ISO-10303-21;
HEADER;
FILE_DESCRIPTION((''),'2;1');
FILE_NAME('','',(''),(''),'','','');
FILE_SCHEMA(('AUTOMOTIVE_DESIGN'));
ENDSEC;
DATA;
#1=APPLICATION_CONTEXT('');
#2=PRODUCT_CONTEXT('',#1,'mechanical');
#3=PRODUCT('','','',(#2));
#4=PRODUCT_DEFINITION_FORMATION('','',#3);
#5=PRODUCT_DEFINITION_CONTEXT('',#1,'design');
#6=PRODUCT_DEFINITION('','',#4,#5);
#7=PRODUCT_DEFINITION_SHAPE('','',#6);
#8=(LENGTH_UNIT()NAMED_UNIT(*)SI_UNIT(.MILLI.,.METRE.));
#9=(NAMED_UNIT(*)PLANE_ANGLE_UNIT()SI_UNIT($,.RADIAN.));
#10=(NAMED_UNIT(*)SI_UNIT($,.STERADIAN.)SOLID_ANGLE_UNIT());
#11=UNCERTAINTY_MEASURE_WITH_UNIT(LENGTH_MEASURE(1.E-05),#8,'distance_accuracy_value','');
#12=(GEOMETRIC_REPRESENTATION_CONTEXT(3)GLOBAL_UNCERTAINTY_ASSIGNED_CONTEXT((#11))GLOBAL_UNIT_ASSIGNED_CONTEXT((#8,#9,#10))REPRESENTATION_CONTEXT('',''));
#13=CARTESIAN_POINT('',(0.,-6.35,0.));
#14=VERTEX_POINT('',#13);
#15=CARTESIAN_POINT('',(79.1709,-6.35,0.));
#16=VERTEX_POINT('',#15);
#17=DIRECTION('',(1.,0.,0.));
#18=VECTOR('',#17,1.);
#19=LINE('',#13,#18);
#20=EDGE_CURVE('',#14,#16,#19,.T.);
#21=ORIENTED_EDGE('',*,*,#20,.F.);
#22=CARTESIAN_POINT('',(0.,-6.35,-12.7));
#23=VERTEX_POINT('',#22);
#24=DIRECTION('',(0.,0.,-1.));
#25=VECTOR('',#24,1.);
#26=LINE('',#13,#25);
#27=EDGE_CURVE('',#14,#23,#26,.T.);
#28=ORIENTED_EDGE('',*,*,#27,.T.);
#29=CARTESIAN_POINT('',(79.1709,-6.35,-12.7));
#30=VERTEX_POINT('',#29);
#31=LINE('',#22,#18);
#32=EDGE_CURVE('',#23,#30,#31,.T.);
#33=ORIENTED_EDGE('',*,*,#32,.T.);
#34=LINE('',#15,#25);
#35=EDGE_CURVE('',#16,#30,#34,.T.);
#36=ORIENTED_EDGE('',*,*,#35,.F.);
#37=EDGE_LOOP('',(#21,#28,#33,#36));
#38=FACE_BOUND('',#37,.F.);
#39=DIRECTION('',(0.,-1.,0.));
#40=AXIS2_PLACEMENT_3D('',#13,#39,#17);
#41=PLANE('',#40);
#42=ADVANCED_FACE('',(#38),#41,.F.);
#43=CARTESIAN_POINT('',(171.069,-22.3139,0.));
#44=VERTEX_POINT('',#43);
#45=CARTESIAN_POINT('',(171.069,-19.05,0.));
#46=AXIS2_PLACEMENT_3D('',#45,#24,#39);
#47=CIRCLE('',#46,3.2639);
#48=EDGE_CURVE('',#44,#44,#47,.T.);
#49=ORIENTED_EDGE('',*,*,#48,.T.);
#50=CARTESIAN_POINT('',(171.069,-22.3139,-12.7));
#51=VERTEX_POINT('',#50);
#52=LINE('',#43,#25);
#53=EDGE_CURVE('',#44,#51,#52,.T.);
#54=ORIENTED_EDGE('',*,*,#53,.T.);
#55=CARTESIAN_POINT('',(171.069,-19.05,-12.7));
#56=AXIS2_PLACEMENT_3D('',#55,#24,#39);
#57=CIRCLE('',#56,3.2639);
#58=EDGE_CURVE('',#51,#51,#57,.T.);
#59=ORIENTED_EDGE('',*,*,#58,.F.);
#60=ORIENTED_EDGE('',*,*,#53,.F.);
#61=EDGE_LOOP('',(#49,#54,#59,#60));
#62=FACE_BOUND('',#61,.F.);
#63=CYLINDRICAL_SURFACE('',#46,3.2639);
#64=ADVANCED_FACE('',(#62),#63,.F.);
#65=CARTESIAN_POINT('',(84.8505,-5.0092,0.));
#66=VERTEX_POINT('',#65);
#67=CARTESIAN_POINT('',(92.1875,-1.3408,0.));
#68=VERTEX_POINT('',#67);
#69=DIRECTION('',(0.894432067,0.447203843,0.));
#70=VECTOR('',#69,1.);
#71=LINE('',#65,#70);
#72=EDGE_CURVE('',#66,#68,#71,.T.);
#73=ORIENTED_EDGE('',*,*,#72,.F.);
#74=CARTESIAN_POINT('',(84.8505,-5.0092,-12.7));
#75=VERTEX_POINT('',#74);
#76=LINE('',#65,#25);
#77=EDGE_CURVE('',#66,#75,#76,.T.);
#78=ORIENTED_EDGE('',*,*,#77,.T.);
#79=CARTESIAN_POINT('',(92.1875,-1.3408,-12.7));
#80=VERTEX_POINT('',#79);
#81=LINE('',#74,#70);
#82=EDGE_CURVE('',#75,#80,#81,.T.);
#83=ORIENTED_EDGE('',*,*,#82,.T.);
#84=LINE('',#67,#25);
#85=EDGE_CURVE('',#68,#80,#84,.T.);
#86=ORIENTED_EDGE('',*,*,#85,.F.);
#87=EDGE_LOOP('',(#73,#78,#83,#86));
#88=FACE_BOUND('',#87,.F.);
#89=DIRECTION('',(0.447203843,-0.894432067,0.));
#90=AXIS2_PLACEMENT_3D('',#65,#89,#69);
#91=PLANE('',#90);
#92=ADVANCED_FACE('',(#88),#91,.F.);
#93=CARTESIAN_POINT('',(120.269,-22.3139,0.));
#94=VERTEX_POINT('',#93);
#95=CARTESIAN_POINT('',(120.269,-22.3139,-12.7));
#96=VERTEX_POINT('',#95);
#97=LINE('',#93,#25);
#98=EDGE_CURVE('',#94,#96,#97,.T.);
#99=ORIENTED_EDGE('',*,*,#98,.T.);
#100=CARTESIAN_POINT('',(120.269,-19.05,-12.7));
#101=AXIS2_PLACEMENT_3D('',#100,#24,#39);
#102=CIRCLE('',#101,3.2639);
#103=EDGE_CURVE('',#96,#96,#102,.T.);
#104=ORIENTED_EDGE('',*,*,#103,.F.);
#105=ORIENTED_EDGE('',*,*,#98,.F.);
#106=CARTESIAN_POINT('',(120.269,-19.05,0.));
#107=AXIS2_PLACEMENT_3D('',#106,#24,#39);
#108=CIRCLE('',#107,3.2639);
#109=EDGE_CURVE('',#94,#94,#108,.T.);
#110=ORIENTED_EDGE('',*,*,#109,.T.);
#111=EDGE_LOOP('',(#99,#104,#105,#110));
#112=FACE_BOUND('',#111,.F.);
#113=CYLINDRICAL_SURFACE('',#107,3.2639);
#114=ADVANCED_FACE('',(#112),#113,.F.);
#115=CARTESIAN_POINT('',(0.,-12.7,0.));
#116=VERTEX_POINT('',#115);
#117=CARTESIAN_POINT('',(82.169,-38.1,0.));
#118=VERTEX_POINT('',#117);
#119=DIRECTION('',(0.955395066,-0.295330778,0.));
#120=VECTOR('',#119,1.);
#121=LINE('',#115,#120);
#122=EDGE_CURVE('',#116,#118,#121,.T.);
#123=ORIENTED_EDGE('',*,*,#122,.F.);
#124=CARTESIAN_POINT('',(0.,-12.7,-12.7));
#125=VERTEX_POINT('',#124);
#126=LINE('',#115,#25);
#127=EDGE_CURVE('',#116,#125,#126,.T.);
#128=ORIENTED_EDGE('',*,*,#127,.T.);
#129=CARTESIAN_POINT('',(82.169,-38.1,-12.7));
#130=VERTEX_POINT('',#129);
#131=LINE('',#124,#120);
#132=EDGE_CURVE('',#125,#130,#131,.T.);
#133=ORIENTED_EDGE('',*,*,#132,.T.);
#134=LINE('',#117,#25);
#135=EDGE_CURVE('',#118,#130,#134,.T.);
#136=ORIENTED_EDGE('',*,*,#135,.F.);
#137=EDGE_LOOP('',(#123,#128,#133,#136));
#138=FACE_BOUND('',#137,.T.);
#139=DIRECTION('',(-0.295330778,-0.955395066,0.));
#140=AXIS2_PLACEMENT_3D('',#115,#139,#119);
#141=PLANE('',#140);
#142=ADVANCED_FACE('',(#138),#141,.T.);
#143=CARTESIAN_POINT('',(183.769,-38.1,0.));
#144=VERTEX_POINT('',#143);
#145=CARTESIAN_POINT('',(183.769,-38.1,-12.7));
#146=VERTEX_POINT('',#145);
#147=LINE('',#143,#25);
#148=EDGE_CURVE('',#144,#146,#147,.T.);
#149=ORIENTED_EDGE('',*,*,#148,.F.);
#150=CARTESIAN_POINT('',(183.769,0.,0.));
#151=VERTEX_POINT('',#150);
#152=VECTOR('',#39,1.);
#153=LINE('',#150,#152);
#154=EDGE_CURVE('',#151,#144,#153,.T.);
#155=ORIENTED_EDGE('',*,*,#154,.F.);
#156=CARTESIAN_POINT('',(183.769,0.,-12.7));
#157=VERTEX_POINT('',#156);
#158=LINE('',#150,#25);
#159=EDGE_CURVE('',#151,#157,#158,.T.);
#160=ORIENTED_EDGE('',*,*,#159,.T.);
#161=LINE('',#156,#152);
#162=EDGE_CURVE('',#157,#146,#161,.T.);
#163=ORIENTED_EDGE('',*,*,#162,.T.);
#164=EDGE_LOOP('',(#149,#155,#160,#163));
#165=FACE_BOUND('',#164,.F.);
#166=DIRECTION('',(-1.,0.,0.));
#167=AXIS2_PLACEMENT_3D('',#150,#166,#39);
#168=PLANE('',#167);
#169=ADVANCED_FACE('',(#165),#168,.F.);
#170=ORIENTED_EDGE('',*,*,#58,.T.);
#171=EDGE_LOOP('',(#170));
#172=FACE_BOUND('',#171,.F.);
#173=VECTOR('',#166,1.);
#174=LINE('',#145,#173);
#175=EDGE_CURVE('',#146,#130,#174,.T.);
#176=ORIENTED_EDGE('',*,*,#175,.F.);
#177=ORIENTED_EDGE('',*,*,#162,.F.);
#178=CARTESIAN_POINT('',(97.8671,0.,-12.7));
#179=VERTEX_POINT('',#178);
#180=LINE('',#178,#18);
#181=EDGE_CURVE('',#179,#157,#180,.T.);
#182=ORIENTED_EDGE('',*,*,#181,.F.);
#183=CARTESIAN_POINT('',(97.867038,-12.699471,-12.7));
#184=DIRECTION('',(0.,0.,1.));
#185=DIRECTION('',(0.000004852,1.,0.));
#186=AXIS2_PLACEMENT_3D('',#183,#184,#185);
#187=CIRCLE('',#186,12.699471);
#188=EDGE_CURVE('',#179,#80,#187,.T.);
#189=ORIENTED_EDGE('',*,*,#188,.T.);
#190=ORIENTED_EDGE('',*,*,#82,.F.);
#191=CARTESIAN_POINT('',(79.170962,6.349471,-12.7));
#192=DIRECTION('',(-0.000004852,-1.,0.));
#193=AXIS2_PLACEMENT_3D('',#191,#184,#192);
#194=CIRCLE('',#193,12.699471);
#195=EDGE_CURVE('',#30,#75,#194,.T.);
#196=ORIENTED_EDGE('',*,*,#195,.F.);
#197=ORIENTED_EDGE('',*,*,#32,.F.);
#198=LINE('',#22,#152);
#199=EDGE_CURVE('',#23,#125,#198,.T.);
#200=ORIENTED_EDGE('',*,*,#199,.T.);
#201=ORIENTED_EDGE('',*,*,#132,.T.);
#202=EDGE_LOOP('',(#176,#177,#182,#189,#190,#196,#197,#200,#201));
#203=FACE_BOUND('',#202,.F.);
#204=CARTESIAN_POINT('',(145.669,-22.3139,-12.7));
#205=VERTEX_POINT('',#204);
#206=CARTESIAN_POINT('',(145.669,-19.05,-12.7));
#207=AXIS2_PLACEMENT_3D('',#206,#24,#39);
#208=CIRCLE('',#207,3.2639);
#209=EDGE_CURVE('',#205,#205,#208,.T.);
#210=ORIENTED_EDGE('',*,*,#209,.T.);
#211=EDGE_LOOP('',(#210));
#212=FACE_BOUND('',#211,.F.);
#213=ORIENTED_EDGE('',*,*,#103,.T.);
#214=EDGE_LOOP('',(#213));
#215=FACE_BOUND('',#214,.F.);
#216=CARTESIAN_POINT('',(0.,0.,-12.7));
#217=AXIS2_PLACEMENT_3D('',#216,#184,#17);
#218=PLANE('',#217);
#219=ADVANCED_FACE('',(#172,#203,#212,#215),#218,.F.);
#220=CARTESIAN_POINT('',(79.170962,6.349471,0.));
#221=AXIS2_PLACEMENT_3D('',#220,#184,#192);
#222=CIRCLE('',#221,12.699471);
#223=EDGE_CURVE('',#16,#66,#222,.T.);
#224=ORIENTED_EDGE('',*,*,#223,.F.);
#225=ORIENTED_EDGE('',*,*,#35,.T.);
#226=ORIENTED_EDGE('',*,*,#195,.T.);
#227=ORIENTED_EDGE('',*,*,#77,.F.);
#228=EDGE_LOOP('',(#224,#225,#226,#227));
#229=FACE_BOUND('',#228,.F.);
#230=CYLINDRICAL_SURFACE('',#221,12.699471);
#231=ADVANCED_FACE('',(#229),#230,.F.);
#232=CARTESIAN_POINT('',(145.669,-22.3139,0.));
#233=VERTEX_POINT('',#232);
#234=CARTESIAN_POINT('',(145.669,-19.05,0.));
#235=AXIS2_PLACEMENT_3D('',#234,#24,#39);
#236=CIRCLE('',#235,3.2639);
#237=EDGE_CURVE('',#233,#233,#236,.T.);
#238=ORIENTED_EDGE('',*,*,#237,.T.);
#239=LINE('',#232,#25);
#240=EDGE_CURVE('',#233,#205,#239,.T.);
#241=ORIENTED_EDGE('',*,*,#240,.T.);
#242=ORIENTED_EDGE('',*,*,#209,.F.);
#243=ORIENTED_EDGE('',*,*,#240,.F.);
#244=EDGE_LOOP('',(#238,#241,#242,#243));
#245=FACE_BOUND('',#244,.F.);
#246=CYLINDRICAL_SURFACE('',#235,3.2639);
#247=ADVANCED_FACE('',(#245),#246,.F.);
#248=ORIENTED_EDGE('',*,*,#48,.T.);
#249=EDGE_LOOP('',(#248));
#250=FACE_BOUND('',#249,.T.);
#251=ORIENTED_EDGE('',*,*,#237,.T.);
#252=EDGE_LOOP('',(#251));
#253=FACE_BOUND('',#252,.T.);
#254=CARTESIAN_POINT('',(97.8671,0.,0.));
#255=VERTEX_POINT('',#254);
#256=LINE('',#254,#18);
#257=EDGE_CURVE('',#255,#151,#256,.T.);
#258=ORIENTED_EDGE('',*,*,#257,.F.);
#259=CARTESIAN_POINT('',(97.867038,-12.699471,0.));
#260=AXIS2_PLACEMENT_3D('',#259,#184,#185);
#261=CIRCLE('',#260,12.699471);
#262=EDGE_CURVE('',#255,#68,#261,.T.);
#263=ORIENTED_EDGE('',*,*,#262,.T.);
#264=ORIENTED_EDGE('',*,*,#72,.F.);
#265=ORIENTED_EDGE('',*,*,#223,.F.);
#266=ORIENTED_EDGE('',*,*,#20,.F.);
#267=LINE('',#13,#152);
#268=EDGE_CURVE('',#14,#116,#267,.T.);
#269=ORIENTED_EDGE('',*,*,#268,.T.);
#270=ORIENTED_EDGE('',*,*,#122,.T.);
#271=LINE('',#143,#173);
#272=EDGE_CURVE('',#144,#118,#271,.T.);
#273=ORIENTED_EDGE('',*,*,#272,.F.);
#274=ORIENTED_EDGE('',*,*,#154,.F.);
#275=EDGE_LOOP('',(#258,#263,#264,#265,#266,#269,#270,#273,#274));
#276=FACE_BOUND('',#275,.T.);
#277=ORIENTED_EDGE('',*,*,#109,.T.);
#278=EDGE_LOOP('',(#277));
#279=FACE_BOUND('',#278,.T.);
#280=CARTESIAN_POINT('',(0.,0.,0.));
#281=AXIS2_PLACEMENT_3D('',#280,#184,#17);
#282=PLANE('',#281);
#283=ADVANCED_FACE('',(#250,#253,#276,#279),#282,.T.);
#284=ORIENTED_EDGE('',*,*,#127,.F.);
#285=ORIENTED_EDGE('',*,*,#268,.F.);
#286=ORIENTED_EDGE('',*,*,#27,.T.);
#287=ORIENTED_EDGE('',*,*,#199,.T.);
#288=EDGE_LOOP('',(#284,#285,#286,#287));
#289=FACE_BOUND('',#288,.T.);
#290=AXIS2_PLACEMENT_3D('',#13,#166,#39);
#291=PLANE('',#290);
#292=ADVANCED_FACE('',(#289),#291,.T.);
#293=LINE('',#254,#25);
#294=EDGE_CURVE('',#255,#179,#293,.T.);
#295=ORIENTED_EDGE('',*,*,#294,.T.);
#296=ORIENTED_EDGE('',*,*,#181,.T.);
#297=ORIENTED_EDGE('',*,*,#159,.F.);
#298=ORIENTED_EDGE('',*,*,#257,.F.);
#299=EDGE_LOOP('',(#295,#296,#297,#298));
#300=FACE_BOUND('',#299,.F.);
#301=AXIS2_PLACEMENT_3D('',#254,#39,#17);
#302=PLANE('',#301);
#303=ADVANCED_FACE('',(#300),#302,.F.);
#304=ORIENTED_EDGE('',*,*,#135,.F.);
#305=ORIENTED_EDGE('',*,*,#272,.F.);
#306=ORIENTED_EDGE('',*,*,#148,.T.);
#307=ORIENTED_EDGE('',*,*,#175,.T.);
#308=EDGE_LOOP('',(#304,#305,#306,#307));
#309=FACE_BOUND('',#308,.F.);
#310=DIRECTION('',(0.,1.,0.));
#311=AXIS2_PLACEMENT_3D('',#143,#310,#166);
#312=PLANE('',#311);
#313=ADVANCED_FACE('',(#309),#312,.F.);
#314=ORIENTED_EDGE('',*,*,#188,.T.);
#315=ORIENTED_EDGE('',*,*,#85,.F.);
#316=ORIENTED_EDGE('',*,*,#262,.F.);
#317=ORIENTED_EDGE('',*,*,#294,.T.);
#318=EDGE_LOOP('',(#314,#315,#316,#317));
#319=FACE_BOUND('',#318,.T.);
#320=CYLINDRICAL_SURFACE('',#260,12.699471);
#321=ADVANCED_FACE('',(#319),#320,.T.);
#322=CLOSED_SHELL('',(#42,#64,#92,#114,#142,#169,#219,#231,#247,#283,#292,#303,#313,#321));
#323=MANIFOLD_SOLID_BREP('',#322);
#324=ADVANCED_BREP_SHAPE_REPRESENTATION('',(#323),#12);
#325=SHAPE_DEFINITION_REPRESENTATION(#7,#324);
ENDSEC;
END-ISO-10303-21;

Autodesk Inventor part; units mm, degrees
ref_plane "YZ Plane" through (0, 0, 0) normal (1, 0, 0) x (0, 1, 0)
ref_plane "XZ Plane" through (0, 0, 0) normal (0, 1, 0) x (-1, 0, 0)
ref_plane "XY Plane" through (0, 0, 0) normal (0, 0, 1) x (1, 0, 0)
sketch "Sketch1" plane through (0, 0, 0) normal (0, 0, 1) x (1, 0, 0)
  line L0 (0, 0) -> (0, -12.7) construction
  line L1 (0, -12.7) -> (0, -31.75) construction
  line L2 (0, 6.35) -> (0, 0) construction
  line L3 (-50.8, -19.05) -> (152.4, -19.05) construction
  line L4 (82.169, 0) -> (183.769, 0) construction
  line L5 (183.769, 0) -> (183.769, -38.1) construction
  line L6 (183.769, -38.1) -> (82.169, -38.1) construction
  line L7 (82.169, -38.1) -> (82.169, 0) construction
  line L8 (183.769, 0) -> (183.769, -38.1)
  line L9 (183.769, -38.1) -> (82.169, -38.1)
  line L10 (79.1709, -6.35) -> (0, -6.35) construction
  line L11 (0, -6.35) -> (0, -12.7)
  line L12 (0, -12.7) -> (82.169, -38.1)
  line L13 (0, -6.35) -> (79.1709, -6.35)
  line L14 (97.8671, 0) -> (183.769, 0)
  line L15 (84.8505, -5.0092) -> (92.1875, -1.3408)
  arc A0 (79.1709, -6.35) -> (84.8505, -5.0092) centre (79.1709, 6.35) ccw
  arc A1 (97.8671, 0) -> (92.1875, -1.3408) centre (97.8671, -12.7) ccw
  point P0 (120.269, -19.05)
  point P1 (145.669, -19.05)
  point P2 (171.069, -19.05)
  dimension "d25" = 12.7
  dimension "d26" = 19.05
  dimension "d27" = 82.169
  dimension "d30" = 203.2
  dimension "d32" = 152.4
  dimension "d34" = 101.6
  dimension "d35" = 38.1
  dimension "d36" = 38.1
  dimension "d37" = 25.4
  dimension "d38" = 25.4
  dimension "d39" = 12.7
  dimension "d98" = 6.35
  dimension "d100" = 12.7
  dimension "d101" = 63.435
  dimension "d102" = 72.823
  dimension "d103" = 38.1
  dimension "d104" = 6.35
  dimension "d105" = 79.1709
extrude "Extrusion1" add sketch "Sketch1" against normal blind 12.7
hole "Hole7" at (120.269, -19.05, 0) at (145.669, -19.05, 0) at (171.069, -19.05, 0) direction (0, 0, -1) diameter 6.5278 end through all clearance for "Socket Head Cap Screw" size "1/4" standard "Ansi Unified Screw Threads"
properties part number "Y_shaft_support_brace" material "Aluminum 6061"
